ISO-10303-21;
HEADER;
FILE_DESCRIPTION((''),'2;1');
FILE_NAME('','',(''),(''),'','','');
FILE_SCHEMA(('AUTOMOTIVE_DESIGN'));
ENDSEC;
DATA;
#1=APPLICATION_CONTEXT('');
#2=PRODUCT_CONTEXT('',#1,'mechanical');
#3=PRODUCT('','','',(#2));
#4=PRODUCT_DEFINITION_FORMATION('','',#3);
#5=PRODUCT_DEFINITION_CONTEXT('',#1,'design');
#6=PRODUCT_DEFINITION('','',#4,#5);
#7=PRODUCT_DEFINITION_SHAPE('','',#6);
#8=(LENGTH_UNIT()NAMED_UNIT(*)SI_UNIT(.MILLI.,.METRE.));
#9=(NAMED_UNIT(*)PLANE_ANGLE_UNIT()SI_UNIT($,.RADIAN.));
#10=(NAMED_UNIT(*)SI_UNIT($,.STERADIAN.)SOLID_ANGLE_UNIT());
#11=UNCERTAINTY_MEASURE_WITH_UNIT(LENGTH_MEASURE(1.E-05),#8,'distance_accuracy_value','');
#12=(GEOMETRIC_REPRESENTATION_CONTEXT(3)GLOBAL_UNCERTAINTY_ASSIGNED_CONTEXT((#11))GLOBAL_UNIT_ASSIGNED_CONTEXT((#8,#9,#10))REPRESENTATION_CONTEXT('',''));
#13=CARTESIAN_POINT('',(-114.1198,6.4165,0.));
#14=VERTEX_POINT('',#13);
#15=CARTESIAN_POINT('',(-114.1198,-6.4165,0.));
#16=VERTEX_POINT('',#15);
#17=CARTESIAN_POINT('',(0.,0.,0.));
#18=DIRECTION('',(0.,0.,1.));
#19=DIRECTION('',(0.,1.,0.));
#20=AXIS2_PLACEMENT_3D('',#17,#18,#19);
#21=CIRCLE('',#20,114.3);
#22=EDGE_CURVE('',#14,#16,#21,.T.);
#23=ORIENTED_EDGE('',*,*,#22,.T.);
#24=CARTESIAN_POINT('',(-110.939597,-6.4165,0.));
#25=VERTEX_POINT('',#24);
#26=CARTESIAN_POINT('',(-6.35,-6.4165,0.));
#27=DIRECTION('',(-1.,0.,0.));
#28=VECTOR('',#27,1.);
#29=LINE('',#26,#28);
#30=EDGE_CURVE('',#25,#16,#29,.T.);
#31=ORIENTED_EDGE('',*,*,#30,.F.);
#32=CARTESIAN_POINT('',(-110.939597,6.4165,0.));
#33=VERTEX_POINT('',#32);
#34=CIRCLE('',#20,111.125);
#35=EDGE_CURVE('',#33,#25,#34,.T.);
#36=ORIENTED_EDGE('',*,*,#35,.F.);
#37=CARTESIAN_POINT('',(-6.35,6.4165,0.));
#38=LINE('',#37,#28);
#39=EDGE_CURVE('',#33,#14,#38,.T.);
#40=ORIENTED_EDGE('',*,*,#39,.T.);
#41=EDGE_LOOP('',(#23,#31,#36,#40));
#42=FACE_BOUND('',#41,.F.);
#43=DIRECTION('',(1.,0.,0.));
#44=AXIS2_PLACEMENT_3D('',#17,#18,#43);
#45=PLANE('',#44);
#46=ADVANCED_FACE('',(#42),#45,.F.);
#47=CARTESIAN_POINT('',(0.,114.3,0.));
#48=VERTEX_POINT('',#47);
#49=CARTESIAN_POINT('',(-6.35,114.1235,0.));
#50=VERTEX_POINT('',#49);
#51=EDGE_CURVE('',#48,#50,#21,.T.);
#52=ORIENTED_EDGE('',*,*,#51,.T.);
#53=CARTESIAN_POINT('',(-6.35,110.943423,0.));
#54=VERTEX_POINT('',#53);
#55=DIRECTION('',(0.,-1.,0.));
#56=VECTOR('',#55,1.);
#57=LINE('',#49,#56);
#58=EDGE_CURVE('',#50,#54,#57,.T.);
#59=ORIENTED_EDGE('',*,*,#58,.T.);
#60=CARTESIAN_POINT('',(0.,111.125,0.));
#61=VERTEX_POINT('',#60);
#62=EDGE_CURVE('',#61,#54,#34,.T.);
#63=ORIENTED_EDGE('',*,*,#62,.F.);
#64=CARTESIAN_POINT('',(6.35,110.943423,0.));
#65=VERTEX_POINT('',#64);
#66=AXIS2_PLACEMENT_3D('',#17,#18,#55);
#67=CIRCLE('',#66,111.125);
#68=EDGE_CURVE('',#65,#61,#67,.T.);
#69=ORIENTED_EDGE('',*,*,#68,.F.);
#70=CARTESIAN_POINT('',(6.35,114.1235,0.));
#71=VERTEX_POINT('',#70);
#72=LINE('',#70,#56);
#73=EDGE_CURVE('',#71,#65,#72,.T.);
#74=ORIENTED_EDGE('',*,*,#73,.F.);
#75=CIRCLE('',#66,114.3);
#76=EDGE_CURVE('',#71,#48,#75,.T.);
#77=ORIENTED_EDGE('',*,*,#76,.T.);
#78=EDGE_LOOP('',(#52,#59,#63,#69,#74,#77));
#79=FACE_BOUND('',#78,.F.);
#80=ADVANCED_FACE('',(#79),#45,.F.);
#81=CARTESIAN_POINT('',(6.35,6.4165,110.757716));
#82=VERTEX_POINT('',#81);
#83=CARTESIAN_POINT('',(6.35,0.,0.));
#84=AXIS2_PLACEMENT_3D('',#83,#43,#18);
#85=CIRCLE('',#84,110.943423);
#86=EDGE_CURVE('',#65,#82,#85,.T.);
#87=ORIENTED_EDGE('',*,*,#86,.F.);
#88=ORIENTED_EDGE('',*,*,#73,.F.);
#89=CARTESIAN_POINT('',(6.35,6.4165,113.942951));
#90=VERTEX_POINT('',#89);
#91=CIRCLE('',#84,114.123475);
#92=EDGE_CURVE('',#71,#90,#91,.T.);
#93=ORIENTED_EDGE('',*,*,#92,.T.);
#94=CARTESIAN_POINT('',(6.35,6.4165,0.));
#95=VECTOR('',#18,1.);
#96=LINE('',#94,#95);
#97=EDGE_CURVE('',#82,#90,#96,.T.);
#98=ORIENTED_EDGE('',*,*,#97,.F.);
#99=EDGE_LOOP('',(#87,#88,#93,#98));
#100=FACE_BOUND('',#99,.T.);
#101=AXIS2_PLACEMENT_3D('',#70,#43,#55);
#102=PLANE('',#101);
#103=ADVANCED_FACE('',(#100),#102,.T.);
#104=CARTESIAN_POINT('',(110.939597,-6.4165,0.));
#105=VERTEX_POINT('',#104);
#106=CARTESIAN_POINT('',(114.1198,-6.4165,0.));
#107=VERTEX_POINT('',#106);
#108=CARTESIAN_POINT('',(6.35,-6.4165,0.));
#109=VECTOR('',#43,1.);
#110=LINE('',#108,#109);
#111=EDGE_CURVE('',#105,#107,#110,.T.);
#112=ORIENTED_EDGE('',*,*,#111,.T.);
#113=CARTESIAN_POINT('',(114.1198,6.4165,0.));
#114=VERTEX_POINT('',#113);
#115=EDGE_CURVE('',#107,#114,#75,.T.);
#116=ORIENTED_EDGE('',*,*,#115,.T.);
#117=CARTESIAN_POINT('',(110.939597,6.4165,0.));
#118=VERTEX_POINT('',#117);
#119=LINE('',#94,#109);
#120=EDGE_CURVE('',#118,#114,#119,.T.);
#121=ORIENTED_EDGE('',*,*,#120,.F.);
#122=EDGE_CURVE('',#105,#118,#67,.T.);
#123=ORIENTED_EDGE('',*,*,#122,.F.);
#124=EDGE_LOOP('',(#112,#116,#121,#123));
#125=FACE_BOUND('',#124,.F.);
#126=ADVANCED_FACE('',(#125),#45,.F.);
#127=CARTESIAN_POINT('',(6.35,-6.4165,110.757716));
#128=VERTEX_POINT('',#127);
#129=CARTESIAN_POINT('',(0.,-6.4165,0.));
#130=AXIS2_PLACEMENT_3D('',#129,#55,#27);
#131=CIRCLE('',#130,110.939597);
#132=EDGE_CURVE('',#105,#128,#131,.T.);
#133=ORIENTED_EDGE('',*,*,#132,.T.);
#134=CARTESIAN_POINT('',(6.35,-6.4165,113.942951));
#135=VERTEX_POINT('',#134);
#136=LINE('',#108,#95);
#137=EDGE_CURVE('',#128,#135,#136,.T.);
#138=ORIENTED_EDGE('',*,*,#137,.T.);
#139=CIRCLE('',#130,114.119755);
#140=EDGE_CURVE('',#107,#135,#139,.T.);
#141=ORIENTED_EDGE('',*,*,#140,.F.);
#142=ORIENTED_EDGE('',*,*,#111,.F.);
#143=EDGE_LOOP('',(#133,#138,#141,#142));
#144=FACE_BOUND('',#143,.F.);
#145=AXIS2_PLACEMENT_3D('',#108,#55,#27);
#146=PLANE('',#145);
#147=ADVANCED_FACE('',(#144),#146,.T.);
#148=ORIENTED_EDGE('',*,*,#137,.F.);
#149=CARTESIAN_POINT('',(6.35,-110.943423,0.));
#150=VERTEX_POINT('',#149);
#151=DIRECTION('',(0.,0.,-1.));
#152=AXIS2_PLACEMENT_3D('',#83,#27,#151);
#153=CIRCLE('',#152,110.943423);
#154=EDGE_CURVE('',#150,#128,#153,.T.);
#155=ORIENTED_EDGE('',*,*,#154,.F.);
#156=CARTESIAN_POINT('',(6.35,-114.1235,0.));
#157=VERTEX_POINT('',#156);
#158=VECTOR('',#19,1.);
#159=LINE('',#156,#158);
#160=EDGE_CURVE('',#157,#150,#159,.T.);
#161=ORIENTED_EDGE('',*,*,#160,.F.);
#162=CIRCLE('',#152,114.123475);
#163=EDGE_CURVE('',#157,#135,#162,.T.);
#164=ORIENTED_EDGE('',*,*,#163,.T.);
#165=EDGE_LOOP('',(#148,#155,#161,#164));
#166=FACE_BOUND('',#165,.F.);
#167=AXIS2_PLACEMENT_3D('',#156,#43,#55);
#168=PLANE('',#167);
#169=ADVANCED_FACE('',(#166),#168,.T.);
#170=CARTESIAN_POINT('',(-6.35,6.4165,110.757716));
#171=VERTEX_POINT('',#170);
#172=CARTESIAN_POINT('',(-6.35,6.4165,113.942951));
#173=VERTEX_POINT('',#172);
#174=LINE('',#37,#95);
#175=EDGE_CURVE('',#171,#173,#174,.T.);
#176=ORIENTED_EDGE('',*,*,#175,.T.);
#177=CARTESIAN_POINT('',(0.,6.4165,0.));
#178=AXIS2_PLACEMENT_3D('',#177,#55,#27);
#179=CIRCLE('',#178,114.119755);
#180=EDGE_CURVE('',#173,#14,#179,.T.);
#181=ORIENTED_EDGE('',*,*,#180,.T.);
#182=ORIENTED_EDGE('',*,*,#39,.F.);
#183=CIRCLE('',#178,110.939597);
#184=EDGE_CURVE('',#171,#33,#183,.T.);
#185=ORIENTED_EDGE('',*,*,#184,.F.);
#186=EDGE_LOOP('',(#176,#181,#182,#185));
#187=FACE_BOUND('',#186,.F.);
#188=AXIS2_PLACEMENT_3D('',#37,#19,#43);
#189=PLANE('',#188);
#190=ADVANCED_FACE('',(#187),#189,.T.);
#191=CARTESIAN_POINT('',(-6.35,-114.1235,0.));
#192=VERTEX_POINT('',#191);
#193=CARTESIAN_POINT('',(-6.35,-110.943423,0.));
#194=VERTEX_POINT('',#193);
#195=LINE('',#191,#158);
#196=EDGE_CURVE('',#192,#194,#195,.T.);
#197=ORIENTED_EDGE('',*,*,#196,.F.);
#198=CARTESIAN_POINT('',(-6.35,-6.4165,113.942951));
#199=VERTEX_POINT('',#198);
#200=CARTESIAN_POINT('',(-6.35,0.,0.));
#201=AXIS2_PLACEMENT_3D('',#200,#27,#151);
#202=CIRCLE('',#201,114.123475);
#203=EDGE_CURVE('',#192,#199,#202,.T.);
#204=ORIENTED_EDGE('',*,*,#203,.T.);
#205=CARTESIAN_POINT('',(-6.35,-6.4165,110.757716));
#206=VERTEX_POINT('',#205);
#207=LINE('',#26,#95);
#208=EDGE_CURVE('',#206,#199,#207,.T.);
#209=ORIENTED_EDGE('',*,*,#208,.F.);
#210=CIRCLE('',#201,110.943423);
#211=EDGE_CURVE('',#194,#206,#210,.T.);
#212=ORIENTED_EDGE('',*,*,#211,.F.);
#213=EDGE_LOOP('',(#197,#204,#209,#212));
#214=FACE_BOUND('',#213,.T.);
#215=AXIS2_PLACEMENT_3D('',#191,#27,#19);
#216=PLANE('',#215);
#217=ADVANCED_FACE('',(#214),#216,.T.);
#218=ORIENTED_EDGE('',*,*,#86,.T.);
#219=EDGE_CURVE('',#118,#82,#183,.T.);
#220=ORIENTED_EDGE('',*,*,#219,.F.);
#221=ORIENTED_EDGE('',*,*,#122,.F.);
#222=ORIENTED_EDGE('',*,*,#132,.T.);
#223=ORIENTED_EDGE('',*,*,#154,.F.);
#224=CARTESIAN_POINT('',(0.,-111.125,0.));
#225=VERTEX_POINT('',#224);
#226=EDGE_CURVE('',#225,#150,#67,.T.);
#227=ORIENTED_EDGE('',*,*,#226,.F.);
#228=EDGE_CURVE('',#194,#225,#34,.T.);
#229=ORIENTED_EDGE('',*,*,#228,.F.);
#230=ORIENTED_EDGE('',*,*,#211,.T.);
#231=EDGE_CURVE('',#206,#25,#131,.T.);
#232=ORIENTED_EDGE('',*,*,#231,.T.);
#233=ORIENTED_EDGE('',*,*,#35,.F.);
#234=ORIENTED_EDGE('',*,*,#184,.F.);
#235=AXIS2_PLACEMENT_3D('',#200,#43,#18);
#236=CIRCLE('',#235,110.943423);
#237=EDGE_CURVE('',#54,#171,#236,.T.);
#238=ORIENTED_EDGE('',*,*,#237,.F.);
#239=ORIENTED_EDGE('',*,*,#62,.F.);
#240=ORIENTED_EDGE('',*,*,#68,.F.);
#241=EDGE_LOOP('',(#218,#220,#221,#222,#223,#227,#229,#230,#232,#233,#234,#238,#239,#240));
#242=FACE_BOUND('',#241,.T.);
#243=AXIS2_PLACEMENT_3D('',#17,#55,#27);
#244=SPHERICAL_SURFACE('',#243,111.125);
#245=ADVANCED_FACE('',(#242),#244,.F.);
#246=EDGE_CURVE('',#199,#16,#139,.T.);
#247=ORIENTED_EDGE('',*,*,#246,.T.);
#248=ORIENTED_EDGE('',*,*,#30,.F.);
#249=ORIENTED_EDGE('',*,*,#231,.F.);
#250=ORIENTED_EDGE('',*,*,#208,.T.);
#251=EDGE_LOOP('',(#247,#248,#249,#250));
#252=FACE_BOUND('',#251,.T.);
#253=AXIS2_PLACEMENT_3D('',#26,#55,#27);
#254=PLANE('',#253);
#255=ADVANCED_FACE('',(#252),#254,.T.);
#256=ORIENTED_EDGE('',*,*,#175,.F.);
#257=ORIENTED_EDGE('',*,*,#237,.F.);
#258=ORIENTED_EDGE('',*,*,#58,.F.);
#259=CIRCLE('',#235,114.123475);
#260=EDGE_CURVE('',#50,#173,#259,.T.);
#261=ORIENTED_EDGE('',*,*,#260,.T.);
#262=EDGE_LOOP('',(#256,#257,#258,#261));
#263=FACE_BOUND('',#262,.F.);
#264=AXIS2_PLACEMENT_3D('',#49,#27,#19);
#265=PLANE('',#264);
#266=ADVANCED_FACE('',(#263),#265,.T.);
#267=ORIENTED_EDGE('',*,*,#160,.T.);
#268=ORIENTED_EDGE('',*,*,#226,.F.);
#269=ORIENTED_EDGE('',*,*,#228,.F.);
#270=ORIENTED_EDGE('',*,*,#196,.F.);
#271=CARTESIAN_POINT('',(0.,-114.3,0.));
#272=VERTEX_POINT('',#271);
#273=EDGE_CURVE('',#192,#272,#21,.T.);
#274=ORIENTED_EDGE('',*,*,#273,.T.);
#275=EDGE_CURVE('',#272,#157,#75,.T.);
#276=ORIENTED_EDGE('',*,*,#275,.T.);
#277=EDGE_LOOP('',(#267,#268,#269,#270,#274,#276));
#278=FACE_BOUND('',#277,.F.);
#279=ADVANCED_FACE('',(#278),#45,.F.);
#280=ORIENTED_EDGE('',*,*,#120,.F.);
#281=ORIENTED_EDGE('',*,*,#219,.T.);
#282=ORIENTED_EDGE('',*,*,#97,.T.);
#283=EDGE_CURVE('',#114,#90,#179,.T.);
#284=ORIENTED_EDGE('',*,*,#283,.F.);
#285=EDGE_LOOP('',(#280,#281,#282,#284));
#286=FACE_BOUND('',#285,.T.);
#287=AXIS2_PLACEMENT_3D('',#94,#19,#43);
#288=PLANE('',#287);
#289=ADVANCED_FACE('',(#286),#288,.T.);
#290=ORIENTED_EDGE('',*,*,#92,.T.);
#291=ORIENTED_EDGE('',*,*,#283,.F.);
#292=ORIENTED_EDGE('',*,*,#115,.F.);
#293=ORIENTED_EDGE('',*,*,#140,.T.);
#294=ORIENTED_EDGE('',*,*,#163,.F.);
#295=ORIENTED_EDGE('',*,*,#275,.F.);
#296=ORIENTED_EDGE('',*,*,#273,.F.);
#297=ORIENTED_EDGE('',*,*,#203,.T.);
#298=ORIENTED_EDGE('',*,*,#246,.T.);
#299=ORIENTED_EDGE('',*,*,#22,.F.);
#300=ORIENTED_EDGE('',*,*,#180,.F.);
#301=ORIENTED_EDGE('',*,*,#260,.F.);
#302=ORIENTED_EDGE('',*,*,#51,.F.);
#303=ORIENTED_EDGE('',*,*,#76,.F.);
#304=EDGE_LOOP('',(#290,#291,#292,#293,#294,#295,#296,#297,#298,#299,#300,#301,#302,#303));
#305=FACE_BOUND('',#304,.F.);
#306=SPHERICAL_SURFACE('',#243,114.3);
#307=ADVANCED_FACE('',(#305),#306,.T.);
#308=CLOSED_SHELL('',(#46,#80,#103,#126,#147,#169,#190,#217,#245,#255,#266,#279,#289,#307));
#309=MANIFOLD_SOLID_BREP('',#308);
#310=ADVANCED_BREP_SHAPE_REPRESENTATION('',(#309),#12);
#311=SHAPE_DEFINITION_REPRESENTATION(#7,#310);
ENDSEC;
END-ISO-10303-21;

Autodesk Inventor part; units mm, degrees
ref_plane "YZ Plane" through (0, 0, 0) normal (1, 0, 0) x (0, 1, 0)
ref_plane "XZ Plane" through (0, 0, 0) normal (0, 1, 0) x (-1, 0, 0)
ref_plane "XY Plane" through (0, 0, 0) normal (0, 0, 1) x (1, 0, 0)
sketch "Sketch1" plane through (0, 0, 0) normal (0, 0, 1) x (1, 0, 0)
  line L0 (-137.16, 0) -> (22.86, 0) projected
  line L1 (0, -160.02) -> (0, 160.02) projected
  arc A0 (0, 114.3) -> (0, -114.3) centre (0, 0) ccw
  arc A1 (0, 111.125) -> (0, -111.125) centre (0, 0) ccw
  line L2 (0, 111.125) -> (0, 114.3)
  line L3 (0, -114.3) -> (0, -111.125)
  dimension "d6" = 3.175
  dimension "d7" = 228.6
revolve "Revolution1" add sketch "Sketch1" angle 180 about axis through (0, -10, 0) along (0, 1, 0) contours A0 L1 A1 L0 | L0 A1 L1 A0
sketch "Sketch2" plane through (0, 0, 0) normal (0, 0, -1) x (-1, 0, 0)
  circle A0 centre (0, 0) radius 114.3 projected
  line L0 (-6.35, 114.1235) -> (-6.35, 6.4165)
  line L1 (-6.35, 6.4165) -> (-114.1198, 6.4165)
  line L2 (160.02, 0) -> (-160.02, 0) projected
  line L3 (0, -160.02) -> (0, 160.02) projected
  line L4 (-114.3, 0.0665) -> (114.3, 0.0665) construction
  dimension "d2" = 6.35
  dimension "d3" = 6.35
extrude "Extrusion1" cut sketch "Sketch2" against normal through all contours L0 L1 A0
mirror "Mirror1" about plane through (0, 0, 0) normal (0, 1, 0) of "Extrusion1"
mirror "Mirror2" about plane through (0, 0, 0) normal (1, 0, 0) of "Extrusion1", "Mirror1"
properties part number "shell model"
